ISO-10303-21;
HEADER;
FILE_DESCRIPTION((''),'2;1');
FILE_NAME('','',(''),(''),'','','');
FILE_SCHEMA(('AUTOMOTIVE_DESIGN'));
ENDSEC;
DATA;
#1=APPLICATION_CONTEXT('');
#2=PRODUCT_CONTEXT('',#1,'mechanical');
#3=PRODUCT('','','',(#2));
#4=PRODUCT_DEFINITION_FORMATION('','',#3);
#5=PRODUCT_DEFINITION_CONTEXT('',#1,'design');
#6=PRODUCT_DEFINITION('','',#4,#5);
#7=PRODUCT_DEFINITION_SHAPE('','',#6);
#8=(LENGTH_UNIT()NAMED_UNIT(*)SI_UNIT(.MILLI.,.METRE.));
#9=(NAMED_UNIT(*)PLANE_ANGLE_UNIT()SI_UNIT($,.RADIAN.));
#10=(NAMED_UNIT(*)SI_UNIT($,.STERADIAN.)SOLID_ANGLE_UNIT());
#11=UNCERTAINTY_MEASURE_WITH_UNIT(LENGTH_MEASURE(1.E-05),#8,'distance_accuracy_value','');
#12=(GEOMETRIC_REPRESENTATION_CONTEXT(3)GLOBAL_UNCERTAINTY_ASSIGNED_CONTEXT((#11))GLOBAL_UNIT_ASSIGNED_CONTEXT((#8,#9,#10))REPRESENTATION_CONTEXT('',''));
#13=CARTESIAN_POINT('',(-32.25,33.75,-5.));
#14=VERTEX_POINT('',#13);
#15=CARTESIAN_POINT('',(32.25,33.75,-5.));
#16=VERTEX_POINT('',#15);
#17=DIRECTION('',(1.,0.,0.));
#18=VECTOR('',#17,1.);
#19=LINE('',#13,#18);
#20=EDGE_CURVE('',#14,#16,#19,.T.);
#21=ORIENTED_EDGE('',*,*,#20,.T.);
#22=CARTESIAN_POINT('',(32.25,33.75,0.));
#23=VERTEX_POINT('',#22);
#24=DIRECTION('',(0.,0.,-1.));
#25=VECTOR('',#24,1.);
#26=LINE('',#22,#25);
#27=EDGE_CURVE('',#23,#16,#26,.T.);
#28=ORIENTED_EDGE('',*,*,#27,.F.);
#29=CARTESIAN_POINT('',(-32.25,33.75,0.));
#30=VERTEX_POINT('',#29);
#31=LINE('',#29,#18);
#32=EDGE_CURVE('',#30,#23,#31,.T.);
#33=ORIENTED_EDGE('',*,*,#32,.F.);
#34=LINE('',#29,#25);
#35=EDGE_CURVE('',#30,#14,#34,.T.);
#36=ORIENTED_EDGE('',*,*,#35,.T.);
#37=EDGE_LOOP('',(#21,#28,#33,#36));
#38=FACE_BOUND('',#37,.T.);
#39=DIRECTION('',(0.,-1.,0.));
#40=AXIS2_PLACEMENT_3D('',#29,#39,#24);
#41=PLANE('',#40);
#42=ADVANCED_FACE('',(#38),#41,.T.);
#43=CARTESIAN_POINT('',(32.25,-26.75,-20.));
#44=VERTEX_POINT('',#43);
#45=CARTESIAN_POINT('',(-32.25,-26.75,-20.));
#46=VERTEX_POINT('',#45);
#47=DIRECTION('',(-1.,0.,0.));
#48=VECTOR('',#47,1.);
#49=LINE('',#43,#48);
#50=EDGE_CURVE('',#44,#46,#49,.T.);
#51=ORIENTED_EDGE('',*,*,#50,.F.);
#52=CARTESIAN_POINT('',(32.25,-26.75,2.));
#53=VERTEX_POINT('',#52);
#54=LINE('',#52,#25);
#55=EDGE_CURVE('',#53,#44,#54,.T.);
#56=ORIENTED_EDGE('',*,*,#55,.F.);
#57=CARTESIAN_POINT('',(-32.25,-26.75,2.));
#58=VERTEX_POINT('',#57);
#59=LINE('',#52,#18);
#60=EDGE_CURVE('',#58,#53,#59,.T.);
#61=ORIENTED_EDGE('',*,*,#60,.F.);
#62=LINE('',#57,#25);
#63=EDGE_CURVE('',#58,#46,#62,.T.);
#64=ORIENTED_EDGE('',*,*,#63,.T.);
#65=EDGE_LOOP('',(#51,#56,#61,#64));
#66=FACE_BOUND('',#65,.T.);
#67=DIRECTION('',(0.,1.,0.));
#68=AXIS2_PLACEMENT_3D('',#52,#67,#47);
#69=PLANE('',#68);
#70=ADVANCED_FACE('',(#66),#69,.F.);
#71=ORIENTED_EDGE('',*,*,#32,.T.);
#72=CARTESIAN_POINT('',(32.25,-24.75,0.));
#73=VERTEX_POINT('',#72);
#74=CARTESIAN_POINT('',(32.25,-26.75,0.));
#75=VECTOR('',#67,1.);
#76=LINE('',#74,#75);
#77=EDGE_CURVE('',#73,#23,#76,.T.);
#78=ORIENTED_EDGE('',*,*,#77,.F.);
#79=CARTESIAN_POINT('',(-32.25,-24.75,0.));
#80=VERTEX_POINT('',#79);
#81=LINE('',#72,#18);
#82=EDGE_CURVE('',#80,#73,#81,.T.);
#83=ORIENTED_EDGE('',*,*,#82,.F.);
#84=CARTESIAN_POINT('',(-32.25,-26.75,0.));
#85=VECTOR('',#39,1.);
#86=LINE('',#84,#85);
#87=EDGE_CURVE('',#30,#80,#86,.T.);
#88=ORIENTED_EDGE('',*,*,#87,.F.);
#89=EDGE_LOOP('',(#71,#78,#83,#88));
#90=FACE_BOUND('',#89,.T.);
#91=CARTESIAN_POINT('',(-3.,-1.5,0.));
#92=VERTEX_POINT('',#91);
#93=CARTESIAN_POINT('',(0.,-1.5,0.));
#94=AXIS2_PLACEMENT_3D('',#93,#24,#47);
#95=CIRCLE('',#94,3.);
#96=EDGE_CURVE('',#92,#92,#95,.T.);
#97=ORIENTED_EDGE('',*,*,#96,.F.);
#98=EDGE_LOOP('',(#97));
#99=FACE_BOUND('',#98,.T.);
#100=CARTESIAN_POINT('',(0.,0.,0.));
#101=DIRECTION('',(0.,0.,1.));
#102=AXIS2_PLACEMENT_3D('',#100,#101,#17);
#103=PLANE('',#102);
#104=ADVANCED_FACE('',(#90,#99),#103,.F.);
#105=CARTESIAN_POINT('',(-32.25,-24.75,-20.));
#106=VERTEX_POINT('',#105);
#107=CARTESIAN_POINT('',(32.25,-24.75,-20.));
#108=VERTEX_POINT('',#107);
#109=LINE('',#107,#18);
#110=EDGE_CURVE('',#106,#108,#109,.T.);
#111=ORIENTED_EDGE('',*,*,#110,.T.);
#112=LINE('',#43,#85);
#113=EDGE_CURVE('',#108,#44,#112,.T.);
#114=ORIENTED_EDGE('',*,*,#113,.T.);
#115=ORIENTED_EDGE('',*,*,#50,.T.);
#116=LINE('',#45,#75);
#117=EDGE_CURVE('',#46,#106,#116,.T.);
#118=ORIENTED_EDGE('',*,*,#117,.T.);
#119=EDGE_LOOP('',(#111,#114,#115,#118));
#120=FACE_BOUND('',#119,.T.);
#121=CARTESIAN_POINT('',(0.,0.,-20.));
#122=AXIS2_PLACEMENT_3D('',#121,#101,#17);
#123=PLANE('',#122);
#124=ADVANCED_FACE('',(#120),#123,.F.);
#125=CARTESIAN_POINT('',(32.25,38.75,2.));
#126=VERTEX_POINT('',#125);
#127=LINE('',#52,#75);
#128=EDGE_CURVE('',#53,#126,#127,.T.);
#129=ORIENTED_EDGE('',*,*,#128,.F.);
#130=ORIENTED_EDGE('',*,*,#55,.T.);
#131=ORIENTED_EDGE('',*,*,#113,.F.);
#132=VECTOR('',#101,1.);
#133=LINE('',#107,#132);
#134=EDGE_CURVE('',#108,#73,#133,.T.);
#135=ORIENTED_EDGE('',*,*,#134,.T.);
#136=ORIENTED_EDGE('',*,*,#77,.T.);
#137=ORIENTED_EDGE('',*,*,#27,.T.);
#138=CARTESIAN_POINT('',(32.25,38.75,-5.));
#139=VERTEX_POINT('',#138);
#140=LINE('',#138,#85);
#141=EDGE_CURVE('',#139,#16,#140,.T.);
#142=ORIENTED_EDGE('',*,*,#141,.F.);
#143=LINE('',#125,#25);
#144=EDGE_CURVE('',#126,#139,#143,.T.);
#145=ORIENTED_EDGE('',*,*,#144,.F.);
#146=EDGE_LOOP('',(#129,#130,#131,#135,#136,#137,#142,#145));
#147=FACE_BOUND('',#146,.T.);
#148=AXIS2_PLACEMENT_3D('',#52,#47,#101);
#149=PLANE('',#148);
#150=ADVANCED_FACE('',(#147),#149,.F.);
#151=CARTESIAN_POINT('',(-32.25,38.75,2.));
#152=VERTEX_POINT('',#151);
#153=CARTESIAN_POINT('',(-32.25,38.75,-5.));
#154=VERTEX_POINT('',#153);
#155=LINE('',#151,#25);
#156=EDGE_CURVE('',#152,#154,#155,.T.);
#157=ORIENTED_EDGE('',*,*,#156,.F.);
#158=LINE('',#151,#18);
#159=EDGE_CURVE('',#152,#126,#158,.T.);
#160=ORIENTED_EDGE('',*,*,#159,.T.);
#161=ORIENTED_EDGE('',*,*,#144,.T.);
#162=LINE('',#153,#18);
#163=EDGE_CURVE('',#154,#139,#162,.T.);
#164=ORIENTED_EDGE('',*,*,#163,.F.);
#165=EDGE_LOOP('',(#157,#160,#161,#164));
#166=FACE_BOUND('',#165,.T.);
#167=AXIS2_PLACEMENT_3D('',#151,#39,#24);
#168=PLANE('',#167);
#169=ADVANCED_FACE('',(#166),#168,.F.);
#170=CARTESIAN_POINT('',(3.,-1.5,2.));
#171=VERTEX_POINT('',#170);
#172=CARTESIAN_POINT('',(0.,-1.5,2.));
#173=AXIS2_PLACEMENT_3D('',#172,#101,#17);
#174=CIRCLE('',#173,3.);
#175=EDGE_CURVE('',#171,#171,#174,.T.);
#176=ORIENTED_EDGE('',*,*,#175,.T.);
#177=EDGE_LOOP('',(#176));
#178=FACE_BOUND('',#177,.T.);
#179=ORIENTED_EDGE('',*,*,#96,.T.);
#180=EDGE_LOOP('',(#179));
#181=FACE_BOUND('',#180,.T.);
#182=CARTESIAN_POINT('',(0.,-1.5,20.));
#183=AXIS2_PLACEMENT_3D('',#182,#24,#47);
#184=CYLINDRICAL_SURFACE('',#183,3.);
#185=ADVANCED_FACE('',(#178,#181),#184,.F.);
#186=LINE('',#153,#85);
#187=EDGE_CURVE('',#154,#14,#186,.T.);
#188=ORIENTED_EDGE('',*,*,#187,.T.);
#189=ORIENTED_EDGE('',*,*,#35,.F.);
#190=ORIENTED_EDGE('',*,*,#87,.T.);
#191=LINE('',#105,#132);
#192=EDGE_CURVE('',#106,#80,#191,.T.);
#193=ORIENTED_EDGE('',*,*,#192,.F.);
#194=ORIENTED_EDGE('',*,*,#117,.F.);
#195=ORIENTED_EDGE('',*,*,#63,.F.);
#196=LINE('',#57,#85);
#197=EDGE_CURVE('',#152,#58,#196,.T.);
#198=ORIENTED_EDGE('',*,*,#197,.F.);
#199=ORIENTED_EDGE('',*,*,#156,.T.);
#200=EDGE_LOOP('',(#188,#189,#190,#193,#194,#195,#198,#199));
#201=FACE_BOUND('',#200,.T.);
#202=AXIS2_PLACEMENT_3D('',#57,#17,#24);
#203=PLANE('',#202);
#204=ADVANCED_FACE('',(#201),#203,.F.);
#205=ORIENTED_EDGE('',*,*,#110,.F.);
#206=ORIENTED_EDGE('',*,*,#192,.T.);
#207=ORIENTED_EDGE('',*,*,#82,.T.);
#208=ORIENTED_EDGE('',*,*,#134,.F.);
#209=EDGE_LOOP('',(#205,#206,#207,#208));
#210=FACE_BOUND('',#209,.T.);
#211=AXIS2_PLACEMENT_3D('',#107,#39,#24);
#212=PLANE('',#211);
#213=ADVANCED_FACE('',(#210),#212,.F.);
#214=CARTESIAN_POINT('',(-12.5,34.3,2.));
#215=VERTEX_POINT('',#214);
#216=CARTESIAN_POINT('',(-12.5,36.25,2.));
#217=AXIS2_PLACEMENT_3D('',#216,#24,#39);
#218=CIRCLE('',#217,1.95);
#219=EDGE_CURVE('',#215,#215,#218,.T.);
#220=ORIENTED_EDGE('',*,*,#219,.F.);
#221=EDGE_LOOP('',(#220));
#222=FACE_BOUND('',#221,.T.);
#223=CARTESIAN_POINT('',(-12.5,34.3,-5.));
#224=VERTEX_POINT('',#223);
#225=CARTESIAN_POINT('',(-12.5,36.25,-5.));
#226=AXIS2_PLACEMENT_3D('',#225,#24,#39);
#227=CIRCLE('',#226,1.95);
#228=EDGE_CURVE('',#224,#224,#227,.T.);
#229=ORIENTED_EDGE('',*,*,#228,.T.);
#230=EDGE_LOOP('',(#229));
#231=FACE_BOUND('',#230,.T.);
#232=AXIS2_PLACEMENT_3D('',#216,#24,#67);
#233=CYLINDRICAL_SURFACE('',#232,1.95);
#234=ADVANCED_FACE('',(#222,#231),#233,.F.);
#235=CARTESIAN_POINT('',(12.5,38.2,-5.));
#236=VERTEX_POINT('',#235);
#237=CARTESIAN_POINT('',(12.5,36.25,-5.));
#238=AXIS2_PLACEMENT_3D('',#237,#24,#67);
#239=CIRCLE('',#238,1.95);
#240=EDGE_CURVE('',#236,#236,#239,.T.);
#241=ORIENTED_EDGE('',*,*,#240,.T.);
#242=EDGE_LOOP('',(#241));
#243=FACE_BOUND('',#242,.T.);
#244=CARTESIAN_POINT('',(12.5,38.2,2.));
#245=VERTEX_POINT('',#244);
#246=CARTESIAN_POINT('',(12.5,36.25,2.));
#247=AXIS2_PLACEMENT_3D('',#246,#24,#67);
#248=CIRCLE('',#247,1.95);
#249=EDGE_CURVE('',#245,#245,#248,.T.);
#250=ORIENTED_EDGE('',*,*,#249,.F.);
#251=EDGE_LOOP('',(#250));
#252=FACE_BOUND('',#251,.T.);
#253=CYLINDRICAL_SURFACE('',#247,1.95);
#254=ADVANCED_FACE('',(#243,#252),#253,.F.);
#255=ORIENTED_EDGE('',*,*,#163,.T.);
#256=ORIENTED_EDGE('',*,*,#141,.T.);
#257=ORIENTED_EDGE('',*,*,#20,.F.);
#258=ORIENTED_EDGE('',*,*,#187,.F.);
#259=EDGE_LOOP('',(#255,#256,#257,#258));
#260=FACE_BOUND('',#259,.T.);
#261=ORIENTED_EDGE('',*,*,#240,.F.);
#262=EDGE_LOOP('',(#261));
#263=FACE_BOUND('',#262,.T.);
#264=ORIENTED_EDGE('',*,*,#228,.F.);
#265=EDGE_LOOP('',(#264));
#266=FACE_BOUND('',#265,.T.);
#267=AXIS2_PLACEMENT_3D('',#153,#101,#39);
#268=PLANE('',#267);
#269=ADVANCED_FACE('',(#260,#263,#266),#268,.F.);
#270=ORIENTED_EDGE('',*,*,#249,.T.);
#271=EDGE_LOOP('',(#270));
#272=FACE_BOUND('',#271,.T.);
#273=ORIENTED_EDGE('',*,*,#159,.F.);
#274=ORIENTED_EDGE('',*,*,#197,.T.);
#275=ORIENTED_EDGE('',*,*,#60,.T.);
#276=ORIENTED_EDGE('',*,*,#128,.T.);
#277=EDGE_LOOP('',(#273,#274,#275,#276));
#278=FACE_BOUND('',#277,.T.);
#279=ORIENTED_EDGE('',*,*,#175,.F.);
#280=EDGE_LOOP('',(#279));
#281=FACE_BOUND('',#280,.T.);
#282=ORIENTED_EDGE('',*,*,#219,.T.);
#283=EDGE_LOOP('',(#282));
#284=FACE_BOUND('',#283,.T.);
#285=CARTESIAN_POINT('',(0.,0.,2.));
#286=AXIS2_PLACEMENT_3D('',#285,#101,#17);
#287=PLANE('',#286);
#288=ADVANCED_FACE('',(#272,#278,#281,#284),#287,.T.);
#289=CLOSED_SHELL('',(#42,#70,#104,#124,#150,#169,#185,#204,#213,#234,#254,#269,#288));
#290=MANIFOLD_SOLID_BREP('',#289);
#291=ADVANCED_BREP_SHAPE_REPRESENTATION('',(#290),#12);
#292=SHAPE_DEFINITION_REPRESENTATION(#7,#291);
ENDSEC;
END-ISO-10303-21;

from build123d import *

# Parameters (mm, degrees)
CROQUIS1_W              = 64.5
CROQUIS1_H              = 53.5
SALIENTE_EXTRUIR1_DEPTH = 2
CROQUIS2_W              = 64.5
CROQUIS2_H              = 5
SALIENTE_EXTRUIR2_DEPTH = 5
CROQUIS3_W              = 64.5
CROQUIS3_H              = 2
SALIENTE_EXTRUIR3_DEPTH = 20
CROQUIS5_R              = 3
CORTAR_EXTRUIR1_DEPTH   = 20
CROQUIS7_W              = 5
CROQUIS7_H              = 5.397784026
CORTAR_EXTRUIR3_DEPTH   = 73.634788497
CROQUIS8_W              = 2
CROQUIS8_H              = 10
CROQUIS8_H_2            = 5
CROQUIS8_W_2            = 5
SALIENTE_EXTRUIR4_DEPTH = 64.5
CROQUIS9_R              = 1.95
CORTAR_EXTRUIR4_DEPTH   = 53.598716714


with BuildPart() as part:
    # Croquis1 → Saliente-Extruir1 (new body)
    with BuildSketch(Plane.XY):
        Rectangle(CROQUIS1_W, CROQUIS1_H)
    extrude(amount=SALIENTE_EXTRUIR1_DEPTH)

    # Croquis2 → Saliente-Extruir2 (add)
    with BuildSketch(Plane(origin=(0, 0, 0), x_dir=(-1, 0, 0), z_dir=(0, 0, -1))):
        with Locations((0, 24.25)):
            Rectangle(CROQUIS2_W, CROQUIS2_H)
    extrude(amount=SALIENTE_EXTRUIR2_DEPTH)

    # Croquis3 → Saliente-Extruir3 (add)
    with BuildSketch(Plane(origin=(0, 0, 0), x_dir=(-1, 0, 0), z_dir=(0, 0, -1))):
        with Locations((0, -25.75)):
            Rectangle(CROQUIS3_W, CROQUIS3_H)
    extrude(amount=SALIENTE_EXTRUIR3_DEPTH)

    # Croquis5 → Cortar-Extruir1 (cut)
    with BuildSketch(Plane(origin=(0, 0, 0), x_dir=(-1, 0, 0), z_dir=(0, 0, -1))):
        with Locations((0, -1.5)):
            Circle(CROQUIS5_R)
    extrude(amount=-CORTAR_EXTRUIR1_DEPTH, mode=Mode.SUBTRACT)

    # Croquis7 → Cortar-Extruir3 (cut, through all)
    with BuildSketch(Plane(origin=(32.25, 0, 0), x_dir=(0, 0, -1), z_dir=(1, 0, 0))):
        with Locations((2.5, 24.051107987)):
            Rectangle(CROQUIS7_W, CROQUIS7_H)
    extrude(amount=-CORTAR_EXTRUIR3_DEPTH, mode=Mode.SUBTRACT)

    # Croquis8 → Saliente-Extruir4 (add, through all)
    with BuildSketch(Plane(origin=(32.25, 0, 0), x_dir=(0, 0, -1), z_dir=(1, 0, 0))):
        with Locations((-1, 28.75)):
            Rectangle(CROQUIS8_W, CROQUIS8_H)
        with Locations((-1, 36.25)):
            Rectangle(CROQUIS8_W, CROQUIS8_H_2)
        with Locations((2.5, 36.25)):
            Rectangle(CROQUIS8_W_2, CROQUIS8_H_2)
    extrude(amount=-SALIENTE_EXTRUIR4_DEPTH)

    # Croquis9 → Cortar-Extruir4 (cut, through all)
    with BuildSketch(Plane(origin=(0, 0, -5), x_dir=(-1, 0, 0), z_dir=(0, 0, -1))):
        with Locations(Location((-12.5, 36.25, 0), (0, 0, 90))):
            Circle(CROQUIS9_R)
        with Locations(Location((12.5, 36.25, 0), (0, 0, 270))):
            Circle(CROQUIS9_R)
    extrude(amount=-CORTAR_EXTRUIR4_DEPTH, mode=Mode.SUBTRACT)


solid = part.part
